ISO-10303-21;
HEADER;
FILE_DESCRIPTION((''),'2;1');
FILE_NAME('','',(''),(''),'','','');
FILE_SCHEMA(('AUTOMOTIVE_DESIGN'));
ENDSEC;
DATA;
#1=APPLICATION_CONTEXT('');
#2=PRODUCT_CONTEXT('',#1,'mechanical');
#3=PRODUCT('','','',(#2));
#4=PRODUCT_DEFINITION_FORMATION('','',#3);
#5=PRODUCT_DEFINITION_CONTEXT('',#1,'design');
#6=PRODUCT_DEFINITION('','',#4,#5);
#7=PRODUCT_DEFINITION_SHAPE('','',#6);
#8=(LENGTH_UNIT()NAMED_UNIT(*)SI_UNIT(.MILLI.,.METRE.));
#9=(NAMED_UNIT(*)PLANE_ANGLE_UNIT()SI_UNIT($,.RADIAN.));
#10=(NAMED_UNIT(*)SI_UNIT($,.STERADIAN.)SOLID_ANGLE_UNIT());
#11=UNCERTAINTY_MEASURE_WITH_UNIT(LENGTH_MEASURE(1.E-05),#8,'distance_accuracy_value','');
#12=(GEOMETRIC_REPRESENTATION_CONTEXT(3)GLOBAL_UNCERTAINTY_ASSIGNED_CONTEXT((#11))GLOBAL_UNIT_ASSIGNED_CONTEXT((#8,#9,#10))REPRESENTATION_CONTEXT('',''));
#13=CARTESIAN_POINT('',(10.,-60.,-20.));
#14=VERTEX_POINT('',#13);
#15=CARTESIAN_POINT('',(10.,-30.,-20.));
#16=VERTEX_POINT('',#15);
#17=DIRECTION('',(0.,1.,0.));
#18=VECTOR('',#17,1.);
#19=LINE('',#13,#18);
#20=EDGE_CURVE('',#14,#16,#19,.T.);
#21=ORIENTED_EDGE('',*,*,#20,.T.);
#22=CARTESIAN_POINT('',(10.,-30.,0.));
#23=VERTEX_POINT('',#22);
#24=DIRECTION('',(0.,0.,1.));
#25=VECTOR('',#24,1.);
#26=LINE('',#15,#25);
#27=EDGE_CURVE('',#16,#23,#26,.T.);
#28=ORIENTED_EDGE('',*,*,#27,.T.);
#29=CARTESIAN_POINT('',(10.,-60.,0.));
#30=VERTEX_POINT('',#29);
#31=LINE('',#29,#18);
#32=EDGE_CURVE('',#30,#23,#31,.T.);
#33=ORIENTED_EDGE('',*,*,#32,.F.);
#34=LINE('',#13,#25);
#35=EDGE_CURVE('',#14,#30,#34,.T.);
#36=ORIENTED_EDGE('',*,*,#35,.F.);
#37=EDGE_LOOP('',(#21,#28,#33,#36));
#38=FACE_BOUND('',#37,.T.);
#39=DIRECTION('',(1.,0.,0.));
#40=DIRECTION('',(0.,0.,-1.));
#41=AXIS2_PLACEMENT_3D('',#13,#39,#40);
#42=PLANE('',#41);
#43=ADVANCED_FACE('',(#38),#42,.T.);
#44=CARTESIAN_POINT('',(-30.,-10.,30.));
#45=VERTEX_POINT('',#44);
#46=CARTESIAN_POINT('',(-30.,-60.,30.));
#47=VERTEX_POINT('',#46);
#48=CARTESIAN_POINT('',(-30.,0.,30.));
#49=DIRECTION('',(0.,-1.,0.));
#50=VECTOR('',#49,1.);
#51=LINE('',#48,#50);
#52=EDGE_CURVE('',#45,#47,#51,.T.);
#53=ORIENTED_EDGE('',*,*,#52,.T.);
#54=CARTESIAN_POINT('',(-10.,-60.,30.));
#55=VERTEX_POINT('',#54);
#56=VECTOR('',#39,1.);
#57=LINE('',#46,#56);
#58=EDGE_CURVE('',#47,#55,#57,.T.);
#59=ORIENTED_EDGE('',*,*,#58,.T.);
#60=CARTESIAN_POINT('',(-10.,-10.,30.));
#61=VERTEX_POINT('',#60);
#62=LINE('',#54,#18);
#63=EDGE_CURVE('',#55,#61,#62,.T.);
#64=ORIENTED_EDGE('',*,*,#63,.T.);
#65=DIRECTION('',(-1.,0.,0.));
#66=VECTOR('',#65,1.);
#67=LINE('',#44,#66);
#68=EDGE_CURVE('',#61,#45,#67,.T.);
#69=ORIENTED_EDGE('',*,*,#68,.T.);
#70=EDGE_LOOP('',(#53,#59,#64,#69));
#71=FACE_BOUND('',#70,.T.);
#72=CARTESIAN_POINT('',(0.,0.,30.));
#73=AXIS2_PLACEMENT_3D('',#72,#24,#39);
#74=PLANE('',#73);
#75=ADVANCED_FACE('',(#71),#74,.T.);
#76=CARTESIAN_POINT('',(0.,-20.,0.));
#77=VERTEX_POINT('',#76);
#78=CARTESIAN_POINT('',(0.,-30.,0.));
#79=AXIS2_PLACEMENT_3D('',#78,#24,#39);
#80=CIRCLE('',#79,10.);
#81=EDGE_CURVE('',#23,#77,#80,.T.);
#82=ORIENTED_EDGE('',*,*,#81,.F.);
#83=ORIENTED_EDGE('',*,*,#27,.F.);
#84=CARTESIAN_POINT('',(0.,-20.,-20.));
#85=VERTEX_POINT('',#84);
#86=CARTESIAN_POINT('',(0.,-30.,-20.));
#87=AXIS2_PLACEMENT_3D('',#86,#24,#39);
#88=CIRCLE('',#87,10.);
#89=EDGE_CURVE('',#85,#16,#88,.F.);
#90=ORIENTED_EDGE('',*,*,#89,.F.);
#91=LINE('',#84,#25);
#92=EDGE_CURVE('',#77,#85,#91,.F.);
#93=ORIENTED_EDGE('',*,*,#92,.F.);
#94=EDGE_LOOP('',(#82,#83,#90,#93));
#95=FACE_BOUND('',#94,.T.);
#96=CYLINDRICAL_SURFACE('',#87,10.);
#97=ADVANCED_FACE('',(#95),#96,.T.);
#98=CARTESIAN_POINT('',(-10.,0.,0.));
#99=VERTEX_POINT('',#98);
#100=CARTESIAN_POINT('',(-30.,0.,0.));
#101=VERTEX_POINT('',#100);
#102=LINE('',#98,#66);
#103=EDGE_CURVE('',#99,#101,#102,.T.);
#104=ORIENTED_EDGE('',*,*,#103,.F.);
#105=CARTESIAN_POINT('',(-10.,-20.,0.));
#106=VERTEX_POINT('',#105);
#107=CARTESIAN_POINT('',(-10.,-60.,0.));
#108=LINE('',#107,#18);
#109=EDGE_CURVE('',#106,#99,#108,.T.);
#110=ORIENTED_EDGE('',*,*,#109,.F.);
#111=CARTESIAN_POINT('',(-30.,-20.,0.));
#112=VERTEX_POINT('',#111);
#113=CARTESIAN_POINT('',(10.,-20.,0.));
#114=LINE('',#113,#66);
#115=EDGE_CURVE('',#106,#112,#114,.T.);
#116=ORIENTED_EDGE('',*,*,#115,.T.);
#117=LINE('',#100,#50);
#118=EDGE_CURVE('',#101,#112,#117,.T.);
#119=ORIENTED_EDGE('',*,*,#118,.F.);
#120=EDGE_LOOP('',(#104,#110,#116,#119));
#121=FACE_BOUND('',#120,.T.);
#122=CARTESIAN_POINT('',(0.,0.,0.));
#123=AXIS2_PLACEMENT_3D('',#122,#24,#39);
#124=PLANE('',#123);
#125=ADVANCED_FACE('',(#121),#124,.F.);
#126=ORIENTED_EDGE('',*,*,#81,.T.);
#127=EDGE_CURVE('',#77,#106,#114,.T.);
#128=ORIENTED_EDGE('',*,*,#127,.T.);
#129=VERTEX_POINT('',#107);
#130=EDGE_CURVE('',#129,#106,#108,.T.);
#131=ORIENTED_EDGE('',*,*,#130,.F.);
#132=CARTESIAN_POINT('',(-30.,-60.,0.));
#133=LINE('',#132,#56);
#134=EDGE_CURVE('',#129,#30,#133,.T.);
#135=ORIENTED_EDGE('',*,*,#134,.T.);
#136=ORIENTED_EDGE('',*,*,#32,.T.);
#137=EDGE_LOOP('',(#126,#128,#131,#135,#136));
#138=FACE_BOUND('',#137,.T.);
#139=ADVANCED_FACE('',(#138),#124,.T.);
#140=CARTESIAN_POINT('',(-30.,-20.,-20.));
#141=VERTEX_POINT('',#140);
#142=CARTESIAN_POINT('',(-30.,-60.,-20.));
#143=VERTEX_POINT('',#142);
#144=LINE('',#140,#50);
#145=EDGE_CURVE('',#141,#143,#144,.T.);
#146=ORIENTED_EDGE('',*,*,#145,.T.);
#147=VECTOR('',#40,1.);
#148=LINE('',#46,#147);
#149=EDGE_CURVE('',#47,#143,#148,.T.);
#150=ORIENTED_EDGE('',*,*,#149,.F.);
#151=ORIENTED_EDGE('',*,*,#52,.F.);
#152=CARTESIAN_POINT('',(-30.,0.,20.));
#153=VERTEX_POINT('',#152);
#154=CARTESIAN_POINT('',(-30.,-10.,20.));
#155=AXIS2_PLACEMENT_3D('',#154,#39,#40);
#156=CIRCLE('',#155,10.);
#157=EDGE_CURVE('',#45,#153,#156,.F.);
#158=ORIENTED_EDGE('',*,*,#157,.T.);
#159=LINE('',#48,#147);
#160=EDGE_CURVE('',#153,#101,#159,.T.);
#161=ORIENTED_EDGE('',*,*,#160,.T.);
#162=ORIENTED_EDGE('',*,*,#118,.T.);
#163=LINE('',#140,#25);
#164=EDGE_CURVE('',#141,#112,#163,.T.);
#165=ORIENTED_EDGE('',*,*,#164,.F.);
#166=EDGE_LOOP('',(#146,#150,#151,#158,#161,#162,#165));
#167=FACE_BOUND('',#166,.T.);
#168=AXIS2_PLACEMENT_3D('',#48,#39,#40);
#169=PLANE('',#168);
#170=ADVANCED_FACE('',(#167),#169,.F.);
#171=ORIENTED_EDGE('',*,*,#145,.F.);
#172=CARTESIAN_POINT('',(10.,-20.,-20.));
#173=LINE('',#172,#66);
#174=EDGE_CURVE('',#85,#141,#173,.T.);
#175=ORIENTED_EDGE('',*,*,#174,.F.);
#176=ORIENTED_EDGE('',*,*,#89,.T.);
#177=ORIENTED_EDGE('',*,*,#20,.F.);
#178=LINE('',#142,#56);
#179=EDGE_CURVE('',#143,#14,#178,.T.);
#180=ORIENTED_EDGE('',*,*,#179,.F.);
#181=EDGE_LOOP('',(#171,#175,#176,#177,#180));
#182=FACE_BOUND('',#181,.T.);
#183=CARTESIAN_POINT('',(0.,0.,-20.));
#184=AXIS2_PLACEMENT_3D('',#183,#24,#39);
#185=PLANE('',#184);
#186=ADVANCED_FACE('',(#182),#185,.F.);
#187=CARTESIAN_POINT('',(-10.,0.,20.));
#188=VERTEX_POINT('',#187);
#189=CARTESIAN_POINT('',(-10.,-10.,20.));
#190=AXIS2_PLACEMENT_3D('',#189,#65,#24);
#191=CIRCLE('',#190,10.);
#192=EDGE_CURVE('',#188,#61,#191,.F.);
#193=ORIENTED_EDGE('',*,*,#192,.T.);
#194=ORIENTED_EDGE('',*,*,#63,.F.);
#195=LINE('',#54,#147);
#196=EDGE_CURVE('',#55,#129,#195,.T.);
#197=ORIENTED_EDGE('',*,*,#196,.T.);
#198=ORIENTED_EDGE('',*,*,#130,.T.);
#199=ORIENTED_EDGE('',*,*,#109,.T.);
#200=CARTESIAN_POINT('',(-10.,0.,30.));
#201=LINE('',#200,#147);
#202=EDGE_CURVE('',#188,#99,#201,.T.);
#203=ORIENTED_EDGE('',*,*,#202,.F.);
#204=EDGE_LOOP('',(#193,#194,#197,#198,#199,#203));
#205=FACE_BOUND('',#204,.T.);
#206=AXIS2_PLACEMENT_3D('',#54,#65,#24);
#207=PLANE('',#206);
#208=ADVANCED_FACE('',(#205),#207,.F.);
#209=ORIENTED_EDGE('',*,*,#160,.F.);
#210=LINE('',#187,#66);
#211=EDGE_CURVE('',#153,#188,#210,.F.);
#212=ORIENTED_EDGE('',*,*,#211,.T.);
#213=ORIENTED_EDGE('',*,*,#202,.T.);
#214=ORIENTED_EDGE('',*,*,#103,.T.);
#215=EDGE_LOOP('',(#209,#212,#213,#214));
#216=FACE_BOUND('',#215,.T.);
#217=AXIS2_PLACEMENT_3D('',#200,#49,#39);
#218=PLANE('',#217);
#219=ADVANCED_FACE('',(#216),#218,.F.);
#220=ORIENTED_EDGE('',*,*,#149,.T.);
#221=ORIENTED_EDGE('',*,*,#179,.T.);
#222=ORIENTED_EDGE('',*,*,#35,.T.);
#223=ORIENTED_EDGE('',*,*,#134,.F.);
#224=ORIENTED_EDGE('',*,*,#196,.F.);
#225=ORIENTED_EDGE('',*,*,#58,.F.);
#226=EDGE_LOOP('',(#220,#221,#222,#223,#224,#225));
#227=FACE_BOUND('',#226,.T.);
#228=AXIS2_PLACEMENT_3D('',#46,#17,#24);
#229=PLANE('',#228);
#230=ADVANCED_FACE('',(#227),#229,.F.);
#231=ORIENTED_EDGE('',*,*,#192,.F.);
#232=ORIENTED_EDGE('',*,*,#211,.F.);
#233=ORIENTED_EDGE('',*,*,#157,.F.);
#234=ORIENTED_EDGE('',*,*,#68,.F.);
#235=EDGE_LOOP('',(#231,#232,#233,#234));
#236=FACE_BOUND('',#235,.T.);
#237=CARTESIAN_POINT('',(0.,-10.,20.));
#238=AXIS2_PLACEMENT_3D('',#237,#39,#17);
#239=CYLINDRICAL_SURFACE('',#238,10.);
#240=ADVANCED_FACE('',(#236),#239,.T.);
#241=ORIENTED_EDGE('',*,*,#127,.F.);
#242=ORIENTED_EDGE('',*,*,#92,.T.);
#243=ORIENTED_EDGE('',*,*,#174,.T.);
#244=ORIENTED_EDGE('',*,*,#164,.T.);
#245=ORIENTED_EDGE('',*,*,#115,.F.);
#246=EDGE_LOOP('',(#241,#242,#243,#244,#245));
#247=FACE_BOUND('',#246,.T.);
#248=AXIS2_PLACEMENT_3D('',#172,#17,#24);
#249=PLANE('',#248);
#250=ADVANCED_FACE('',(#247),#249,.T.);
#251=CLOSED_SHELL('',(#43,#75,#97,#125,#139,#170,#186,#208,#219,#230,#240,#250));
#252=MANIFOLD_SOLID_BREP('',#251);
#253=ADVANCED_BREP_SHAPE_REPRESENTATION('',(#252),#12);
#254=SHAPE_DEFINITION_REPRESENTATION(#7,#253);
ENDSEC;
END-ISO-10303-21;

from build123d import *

# Parameters (mm, degrees)
SKETCH1_W           = 20
SKETCH1_H           = 60
BOSS_EXTRUDE1_DEPTH = 30
SKETCH2_W           = 40
SKETCH2_H           = 40
BOSS_EXTRUDE2_DEPTH = 20
FILLET1_R           = 10


with BuildPart() as part:
    # Sketch1 → Boss-Extrude1 (new body)
    with BuildSketch(Plane.XY):
        with Locations((-20, -30)):
            Rectangle(SKETCH1_W, SKETCH1_H)
    extrude(amount=BOSS_EXTRUDE1_DEPTH)

    # Sketch2 → Boss-Extrude2 (add)
    with BuildSketch(Plane.XY):
        with Locations((-10, -40)):
            Rectangle(SKETCH2_W, SKETCH2_H)
    extrude(amount=-BOSS_EXTRUDE2_DEPTH)

    # Fillet1
    fillet1_edges = [part.edges().sort_by_distance(p)[0] for p in [
        (10, -20, -10),
        (-20, 0, 30),
    ]]
    fillet(fillet1_edges, radius=FILLET1_R)


solid = part.part
